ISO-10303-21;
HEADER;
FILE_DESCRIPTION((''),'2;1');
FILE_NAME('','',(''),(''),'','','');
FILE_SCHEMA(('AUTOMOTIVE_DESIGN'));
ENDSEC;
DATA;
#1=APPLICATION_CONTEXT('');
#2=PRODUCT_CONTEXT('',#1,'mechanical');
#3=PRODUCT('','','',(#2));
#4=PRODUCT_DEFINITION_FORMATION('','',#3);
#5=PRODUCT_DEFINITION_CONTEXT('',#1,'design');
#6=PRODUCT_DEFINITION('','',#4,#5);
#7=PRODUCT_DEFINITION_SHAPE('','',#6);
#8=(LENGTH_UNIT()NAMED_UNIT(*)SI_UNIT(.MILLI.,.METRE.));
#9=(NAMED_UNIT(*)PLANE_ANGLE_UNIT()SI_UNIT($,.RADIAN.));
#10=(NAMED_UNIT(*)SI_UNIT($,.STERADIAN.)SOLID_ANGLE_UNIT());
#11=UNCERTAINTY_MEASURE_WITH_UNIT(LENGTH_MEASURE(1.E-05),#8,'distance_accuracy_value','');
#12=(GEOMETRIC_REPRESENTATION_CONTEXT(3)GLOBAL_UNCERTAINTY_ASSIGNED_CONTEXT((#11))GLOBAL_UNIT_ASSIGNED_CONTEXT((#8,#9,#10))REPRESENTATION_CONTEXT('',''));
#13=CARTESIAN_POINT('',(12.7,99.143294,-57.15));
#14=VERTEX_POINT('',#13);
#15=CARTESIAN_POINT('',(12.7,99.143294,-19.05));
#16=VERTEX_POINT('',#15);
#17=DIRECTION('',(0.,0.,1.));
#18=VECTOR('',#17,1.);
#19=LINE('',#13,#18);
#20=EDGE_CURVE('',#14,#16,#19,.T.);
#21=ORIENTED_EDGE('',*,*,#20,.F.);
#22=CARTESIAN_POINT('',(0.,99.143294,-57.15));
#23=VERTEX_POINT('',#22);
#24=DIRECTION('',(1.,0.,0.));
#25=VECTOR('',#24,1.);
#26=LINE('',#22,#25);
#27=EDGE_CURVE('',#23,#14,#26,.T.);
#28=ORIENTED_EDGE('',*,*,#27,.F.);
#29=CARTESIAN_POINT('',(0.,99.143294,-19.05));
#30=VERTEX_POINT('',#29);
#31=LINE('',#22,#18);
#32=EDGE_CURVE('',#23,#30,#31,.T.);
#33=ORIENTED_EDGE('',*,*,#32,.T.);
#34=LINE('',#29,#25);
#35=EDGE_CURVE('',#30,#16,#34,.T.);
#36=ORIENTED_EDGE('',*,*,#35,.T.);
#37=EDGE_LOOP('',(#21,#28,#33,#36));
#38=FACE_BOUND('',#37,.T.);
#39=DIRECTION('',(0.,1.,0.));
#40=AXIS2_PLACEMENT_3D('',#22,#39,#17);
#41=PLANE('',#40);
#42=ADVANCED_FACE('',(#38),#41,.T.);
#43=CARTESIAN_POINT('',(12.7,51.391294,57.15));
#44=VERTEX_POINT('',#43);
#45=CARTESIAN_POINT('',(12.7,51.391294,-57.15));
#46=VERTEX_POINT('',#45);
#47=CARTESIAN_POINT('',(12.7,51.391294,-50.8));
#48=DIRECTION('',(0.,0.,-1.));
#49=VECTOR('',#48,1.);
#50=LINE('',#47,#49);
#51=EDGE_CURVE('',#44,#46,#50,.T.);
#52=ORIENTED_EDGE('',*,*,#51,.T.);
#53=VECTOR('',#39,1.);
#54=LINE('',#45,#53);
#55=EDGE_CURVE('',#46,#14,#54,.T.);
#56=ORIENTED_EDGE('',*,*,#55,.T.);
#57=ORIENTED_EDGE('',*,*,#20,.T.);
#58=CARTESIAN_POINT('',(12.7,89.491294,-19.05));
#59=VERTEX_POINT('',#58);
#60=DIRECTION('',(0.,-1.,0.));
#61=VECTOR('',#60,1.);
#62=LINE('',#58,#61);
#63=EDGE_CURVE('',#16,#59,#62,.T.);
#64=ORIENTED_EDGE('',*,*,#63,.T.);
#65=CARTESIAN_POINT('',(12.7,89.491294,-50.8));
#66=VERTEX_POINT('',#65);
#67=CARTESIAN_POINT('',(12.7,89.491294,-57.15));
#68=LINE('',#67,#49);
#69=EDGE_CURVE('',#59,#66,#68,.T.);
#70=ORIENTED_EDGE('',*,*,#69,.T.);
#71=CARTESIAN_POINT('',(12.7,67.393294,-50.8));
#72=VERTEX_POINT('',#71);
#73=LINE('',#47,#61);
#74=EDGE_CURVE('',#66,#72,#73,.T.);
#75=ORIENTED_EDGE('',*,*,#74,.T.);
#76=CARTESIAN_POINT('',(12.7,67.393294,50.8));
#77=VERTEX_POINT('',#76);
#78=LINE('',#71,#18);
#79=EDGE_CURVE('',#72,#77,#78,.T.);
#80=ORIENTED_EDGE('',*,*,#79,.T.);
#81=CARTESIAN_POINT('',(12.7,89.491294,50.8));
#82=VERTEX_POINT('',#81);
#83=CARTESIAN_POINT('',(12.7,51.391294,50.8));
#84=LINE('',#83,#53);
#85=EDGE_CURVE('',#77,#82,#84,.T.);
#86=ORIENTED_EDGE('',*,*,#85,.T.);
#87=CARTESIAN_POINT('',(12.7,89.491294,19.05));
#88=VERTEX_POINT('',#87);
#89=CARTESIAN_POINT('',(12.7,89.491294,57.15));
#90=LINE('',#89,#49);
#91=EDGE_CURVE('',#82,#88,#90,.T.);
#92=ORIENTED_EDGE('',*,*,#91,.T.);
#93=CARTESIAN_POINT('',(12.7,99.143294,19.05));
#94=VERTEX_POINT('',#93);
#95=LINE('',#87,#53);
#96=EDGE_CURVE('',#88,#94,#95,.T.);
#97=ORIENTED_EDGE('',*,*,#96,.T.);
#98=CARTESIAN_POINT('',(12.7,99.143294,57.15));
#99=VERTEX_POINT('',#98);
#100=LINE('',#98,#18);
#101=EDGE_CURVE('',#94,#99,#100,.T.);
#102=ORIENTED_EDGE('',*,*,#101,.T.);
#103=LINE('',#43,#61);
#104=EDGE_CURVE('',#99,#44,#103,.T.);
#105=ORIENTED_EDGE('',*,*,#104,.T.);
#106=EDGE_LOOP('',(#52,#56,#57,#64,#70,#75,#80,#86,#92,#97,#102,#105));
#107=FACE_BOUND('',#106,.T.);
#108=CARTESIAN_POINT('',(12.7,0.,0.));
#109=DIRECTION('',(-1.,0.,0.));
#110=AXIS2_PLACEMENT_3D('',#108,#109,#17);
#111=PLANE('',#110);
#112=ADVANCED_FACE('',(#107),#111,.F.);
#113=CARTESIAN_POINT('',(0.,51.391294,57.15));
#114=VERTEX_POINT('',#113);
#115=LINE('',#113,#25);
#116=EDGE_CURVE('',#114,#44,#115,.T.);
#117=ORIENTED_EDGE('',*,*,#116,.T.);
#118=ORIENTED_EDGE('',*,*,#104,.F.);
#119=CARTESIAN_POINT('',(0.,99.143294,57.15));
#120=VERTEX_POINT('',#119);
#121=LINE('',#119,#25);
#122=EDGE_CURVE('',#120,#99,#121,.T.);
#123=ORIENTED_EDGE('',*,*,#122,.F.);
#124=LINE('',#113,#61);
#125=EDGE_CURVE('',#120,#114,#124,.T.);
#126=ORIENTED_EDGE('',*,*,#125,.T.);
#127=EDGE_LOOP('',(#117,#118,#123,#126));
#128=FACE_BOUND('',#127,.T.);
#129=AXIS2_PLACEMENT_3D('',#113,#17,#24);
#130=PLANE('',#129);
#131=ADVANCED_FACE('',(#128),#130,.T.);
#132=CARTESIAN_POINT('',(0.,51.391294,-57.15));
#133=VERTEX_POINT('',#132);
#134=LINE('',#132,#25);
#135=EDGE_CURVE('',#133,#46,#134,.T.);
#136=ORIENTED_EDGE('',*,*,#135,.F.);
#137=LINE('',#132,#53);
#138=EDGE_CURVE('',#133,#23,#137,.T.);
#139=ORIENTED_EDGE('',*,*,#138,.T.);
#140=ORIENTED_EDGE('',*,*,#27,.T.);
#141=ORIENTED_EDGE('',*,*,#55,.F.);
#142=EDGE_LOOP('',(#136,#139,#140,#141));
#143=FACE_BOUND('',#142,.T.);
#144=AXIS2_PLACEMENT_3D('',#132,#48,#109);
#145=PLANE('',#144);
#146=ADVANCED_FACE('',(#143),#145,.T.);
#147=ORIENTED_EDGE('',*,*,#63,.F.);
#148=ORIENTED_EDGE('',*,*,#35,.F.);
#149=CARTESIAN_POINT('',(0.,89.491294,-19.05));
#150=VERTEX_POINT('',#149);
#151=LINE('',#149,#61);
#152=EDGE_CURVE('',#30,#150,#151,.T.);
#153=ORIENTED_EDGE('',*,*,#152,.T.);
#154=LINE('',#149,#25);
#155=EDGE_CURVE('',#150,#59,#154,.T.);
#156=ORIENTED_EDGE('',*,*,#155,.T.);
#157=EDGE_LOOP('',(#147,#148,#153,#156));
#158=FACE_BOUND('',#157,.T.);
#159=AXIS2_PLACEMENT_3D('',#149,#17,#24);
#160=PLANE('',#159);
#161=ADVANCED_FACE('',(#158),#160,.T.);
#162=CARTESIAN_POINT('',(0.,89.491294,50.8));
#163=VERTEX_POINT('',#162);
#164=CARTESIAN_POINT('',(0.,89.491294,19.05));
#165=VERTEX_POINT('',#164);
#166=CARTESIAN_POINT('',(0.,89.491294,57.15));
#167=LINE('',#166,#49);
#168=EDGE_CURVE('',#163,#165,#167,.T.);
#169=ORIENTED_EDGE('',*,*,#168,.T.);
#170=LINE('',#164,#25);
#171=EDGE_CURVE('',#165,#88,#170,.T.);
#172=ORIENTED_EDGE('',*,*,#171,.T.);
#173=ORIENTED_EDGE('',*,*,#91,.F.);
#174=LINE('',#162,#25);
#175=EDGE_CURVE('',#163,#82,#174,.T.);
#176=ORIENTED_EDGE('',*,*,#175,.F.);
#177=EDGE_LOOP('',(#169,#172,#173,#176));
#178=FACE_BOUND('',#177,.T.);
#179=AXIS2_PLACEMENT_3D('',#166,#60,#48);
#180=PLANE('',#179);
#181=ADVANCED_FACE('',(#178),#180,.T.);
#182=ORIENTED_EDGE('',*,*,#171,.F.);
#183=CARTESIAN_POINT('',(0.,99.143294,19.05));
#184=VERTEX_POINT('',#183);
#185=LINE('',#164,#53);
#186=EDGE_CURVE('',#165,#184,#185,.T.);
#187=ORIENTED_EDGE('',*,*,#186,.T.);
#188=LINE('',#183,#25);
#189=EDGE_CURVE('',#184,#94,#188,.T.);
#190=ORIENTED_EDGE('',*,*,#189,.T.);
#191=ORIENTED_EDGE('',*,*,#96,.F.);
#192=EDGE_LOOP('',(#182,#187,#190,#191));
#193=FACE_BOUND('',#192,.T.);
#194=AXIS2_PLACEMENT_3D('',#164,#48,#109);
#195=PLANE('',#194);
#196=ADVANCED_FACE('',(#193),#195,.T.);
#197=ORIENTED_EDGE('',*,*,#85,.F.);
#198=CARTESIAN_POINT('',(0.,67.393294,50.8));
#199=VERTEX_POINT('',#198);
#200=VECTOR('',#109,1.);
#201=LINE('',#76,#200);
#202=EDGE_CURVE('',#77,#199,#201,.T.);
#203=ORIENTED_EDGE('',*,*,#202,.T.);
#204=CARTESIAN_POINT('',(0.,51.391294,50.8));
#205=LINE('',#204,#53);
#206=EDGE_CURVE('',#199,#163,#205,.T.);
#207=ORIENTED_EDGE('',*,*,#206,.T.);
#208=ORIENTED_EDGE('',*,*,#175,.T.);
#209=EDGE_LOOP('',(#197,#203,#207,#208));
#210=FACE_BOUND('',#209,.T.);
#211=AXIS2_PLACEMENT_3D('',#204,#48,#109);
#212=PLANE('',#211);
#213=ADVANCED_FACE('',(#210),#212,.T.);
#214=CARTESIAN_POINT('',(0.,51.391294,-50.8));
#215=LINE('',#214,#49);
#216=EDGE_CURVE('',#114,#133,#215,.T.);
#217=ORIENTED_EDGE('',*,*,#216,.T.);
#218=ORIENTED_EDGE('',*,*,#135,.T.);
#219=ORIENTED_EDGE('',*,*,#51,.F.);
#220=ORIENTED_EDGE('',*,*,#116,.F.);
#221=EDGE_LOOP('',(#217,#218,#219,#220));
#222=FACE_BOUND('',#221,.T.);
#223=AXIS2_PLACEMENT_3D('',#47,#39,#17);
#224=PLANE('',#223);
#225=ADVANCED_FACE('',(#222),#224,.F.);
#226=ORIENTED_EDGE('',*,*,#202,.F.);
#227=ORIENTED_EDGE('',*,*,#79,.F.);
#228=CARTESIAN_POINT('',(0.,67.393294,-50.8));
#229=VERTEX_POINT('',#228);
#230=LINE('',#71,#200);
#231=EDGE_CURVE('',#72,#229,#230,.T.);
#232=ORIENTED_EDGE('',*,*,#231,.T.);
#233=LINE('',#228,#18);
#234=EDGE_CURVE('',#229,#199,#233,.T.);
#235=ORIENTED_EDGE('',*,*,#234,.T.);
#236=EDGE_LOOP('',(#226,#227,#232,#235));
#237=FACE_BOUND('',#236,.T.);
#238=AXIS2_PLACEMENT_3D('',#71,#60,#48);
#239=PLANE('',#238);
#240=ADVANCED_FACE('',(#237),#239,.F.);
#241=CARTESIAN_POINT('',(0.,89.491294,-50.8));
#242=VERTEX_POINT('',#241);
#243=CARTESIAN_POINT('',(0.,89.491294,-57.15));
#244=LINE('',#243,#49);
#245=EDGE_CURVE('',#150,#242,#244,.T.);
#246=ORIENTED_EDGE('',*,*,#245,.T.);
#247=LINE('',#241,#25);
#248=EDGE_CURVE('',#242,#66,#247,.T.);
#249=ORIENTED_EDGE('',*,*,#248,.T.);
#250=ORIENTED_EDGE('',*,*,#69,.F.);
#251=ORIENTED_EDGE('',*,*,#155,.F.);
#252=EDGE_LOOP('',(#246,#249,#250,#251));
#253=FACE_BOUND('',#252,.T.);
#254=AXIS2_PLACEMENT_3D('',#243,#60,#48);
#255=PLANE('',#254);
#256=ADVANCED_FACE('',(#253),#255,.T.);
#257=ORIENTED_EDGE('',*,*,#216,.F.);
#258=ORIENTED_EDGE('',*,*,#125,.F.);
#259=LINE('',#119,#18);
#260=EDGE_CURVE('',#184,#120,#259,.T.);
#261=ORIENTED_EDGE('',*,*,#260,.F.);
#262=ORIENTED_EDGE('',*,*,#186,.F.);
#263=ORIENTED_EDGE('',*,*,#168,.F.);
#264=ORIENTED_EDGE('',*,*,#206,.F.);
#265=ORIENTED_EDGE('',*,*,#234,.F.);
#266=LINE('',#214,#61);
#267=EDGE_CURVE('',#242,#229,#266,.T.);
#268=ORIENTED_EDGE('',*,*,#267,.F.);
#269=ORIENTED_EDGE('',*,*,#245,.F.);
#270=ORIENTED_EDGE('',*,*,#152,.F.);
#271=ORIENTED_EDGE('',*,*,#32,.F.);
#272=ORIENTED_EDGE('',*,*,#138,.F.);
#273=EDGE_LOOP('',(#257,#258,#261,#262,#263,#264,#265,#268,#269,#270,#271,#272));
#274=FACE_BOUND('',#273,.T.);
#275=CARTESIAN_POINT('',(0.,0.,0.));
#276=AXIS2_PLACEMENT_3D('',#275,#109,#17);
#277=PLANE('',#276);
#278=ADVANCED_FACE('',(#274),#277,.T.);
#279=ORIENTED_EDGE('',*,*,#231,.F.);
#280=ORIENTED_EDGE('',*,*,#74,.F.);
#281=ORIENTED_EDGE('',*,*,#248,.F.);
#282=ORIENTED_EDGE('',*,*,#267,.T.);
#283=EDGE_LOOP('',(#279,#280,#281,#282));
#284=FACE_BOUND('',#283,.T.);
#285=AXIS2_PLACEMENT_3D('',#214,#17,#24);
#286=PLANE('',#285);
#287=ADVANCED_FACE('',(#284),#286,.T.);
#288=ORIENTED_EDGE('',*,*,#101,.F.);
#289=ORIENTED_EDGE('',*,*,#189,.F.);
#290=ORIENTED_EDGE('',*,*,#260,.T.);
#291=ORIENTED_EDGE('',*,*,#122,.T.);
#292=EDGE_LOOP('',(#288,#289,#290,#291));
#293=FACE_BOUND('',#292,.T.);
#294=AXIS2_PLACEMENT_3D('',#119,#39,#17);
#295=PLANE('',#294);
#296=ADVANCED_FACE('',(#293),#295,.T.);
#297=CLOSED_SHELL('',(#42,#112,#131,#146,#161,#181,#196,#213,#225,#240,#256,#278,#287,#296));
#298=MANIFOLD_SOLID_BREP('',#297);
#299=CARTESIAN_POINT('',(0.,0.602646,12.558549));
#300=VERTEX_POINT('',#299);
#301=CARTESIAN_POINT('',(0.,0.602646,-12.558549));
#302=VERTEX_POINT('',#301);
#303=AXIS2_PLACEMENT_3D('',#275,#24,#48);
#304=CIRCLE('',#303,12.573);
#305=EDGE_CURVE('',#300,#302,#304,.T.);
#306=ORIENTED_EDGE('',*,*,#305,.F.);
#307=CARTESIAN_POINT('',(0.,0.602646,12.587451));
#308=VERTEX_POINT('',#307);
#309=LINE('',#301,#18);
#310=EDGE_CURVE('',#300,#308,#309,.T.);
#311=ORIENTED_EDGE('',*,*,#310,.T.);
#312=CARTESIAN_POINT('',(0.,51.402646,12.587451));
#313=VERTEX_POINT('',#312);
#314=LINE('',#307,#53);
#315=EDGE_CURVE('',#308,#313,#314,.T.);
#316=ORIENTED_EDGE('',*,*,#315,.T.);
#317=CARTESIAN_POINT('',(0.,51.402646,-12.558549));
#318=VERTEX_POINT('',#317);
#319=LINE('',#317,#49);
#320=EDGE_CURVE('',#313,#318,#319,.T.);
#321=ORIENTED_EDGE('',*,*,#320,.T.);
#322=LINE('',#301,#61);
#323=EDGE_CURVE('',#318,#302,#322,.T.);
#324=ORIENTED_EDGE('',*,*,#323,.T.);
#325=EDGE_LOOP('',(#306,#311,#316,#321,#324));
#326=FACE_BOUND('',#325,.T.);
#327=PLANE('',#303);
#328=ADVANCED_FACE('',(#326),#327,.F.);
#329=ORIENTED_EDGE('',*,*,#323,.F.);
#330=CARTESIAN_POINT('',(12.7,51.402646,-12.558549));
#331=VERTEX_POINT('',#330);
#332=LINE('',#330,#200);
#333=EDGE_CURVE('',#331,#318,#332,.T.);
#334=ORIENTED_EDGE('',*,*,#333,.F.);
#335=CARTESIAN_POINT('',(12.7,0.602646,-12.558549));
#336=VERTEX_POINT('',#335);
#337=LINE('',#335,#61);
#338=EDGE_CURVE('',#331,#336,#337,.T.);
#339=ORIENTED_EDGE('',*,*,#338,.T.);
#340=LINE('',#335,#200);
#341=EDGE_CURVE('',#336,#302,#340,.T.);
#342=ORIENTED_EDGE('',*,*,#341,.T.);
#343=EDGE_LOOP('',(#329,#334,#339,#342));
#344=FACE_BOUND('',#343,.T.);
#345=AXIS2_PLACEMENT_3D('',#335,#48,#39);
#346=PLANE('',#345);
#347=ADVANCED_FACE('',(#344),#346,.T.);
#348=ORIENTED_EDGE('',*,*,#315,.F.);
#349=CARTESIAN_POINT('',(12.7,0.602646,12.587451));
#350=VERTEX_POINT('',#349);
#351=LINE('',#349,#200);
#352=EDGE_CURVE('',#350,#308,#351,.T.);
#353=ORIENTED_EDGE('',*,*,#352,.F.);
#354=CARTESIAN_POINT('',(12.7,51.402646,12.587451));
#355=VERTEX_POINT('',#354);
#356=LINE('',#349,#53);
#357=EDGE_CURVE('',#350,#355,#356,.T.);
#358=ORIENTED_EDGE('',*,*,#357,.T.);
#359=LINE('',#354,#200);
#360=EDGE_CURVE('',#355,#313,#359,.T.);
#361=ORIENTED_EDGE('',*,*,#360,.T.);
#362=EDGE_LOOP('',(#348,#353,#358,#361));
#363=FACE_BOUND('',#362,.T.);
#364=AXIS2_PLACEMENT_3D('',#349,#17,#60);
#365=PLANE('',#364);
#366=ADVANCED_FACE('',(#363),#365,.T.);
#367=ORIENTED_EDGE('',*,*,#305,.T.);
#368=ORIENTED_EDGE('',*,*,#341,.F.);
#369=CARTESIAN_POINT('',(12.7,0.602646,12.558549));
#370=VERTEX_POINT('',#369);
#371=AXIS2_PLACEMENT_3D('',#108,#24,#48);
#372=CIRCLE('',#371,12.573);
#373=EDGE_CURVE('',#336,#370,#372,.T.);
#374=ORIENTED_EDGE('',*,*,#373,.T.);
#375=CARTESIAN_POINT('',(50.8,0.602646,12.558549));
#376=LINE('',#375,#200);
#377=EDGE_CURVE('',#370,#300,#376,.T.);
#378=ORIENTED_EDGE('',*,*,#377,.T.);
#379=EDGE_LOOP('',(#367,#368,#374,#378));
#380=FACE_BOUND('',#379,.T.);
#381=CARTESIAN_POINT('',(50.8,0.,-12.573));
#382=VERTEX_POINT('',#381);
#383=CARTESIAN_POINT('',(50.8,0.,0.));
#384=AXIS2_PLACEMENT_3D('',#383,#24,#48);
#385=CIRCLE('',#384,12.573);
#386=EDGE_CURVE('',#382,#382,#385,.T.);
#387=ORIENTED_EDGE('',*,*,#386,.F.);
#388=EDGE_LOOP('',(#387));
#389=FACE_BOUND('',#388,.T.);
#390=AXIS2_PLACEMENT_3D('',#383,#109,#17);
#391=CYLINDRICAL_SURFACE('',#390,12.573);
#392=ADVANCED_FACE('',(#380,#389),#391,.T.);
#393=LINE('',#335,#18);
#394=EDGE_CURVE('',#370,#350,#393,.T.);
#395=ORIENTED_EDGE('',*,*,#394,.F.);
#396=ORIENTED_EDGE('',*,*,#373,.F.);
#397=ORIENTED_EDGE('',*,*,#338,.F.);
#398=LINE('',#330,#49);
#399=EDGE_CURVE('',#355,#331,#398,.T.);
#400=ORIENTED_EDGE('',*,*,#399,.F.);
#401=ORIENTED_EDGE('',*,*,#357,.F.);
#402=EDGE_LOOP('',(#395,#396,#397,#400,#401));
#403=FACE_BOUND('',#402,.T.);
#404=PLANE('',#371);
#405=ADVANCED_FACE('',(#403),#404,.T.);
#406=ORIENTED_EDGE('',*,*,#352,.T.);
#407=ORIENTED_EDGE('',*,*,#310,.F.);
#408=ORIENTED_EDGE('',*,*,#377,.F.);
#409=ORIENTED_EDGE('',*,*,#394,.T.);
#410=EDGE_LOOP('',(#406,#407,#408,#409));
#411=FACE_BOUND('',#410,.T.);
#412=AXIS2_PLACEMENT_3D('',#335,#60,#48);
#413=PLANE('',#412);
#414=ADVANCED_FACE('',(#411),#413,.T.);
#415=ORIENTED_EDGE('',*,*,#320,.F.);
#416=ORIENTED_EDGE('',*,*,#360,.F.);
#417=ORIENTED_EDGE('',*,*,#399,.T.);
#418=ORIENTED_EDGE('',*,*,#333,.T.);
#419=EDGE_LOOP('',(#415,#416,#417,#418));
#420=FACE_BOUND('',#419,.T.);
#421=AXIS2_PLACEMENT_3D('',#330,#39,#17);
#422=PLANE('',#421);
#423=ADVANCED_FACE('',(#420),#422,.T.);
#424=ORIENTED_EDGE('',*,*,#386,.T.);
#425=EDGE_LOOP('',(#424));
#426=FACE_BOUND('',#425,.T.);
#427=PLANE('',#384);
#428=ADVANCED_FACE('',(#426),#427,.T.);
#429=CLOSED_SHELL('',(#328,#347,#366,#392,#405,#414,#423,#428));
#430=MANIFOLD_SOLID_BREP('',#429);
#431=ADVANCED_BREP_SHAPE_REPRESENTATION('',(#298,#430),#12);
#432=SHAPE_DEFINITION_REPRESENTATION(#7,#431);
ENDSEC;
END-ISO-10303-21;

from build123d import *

# Parameters (mm, degrees)
SKETCH2_R       = 12.573
FEATURE_A_DEPTH = 50.8
SKETCH3_W       = 25.146
SKETCH3_H       = 50.8
FEATURE_B_DEPTH = 12.7
SKETCH5_W       = 101.6
SKETCH5_H       = 16.002
FEATURE_C_DEPTH = 12.7
SKETCH10_W      = 6.35
SKETCH10_H      = 38.1
FEATURE_D_DEPTH = 12.7
SKETCH11_W      = 38.1
SKETCH11_H      = 9.652
FEATURE_E_DEPTH = 12.7


with BuildPart() as part:
    # Sketch2 → Feature A (new body)
    with BuildSketch(Plane(origin=(0, 0, 0), x_dir=(0, 0, -1), z_dir=(1, 0, 0))):
        Circle(SKETCH2_R)
    extrude(amount=FEATURE_A_DEPTH)

    # Sketch3 → Feature B (add)
    with BuildSketch(Plane.ZY):
        with Locations((0.014451225, 26.002645546)):
            Rectangle(SKETCH3_W, SKETCH3_H)
    extrude(amount=-FEATURE_B_DEPTH)


with BuildPart() as body_2:
    # Sketch5 → Feature C (new body)
    with BuildSketch(Plane(origin=(0, 0, 0), x_dir=(0, 0, -1), z_dir=(1, 0, 0))):
        with Locations((0, 59.392294155)):
            Rectangle(SKETCH5_W, SKETCH5_H)
    extrude(amount=FEATURE_C_DEPTH)

    # Sketch10 → Feature D (add, through all)
    with BuildSketch(Plane(origin=(12.7, 0, 0), x_dir=(0, 0, -1), z_dir=(1, 0, 0))):
        with Locations((-53.975, 70.441294155)):
            Rectangle(SKETCH10_W, SKETCH10_H)
        with Locations((53.975, 70.441294155)):
            Rectangle(SKETCH10_W, SKETCH10_H)
    extrude(amount=-FEATURE_D_DEPTH)

    # Sketch11 → Feature E (add, through all)
    with BuildSketch(Plane(origin=(12.7, 0, 0), x_dir=(0, 0, -1), z_dir=(1, 0, 0))):
        with Locations((-38.1, 94.317294155)):
            Rectangle(SKETCH11_W, SKETCH11_H)
        with Locations((38.1, 94.317294155)):
            Rectangle(SKETCH11_W, SKETCH11_H)
    extrude(amount=-FEATURE_E_DEPTH)


solid = Compound([part.part, body_2.part])
